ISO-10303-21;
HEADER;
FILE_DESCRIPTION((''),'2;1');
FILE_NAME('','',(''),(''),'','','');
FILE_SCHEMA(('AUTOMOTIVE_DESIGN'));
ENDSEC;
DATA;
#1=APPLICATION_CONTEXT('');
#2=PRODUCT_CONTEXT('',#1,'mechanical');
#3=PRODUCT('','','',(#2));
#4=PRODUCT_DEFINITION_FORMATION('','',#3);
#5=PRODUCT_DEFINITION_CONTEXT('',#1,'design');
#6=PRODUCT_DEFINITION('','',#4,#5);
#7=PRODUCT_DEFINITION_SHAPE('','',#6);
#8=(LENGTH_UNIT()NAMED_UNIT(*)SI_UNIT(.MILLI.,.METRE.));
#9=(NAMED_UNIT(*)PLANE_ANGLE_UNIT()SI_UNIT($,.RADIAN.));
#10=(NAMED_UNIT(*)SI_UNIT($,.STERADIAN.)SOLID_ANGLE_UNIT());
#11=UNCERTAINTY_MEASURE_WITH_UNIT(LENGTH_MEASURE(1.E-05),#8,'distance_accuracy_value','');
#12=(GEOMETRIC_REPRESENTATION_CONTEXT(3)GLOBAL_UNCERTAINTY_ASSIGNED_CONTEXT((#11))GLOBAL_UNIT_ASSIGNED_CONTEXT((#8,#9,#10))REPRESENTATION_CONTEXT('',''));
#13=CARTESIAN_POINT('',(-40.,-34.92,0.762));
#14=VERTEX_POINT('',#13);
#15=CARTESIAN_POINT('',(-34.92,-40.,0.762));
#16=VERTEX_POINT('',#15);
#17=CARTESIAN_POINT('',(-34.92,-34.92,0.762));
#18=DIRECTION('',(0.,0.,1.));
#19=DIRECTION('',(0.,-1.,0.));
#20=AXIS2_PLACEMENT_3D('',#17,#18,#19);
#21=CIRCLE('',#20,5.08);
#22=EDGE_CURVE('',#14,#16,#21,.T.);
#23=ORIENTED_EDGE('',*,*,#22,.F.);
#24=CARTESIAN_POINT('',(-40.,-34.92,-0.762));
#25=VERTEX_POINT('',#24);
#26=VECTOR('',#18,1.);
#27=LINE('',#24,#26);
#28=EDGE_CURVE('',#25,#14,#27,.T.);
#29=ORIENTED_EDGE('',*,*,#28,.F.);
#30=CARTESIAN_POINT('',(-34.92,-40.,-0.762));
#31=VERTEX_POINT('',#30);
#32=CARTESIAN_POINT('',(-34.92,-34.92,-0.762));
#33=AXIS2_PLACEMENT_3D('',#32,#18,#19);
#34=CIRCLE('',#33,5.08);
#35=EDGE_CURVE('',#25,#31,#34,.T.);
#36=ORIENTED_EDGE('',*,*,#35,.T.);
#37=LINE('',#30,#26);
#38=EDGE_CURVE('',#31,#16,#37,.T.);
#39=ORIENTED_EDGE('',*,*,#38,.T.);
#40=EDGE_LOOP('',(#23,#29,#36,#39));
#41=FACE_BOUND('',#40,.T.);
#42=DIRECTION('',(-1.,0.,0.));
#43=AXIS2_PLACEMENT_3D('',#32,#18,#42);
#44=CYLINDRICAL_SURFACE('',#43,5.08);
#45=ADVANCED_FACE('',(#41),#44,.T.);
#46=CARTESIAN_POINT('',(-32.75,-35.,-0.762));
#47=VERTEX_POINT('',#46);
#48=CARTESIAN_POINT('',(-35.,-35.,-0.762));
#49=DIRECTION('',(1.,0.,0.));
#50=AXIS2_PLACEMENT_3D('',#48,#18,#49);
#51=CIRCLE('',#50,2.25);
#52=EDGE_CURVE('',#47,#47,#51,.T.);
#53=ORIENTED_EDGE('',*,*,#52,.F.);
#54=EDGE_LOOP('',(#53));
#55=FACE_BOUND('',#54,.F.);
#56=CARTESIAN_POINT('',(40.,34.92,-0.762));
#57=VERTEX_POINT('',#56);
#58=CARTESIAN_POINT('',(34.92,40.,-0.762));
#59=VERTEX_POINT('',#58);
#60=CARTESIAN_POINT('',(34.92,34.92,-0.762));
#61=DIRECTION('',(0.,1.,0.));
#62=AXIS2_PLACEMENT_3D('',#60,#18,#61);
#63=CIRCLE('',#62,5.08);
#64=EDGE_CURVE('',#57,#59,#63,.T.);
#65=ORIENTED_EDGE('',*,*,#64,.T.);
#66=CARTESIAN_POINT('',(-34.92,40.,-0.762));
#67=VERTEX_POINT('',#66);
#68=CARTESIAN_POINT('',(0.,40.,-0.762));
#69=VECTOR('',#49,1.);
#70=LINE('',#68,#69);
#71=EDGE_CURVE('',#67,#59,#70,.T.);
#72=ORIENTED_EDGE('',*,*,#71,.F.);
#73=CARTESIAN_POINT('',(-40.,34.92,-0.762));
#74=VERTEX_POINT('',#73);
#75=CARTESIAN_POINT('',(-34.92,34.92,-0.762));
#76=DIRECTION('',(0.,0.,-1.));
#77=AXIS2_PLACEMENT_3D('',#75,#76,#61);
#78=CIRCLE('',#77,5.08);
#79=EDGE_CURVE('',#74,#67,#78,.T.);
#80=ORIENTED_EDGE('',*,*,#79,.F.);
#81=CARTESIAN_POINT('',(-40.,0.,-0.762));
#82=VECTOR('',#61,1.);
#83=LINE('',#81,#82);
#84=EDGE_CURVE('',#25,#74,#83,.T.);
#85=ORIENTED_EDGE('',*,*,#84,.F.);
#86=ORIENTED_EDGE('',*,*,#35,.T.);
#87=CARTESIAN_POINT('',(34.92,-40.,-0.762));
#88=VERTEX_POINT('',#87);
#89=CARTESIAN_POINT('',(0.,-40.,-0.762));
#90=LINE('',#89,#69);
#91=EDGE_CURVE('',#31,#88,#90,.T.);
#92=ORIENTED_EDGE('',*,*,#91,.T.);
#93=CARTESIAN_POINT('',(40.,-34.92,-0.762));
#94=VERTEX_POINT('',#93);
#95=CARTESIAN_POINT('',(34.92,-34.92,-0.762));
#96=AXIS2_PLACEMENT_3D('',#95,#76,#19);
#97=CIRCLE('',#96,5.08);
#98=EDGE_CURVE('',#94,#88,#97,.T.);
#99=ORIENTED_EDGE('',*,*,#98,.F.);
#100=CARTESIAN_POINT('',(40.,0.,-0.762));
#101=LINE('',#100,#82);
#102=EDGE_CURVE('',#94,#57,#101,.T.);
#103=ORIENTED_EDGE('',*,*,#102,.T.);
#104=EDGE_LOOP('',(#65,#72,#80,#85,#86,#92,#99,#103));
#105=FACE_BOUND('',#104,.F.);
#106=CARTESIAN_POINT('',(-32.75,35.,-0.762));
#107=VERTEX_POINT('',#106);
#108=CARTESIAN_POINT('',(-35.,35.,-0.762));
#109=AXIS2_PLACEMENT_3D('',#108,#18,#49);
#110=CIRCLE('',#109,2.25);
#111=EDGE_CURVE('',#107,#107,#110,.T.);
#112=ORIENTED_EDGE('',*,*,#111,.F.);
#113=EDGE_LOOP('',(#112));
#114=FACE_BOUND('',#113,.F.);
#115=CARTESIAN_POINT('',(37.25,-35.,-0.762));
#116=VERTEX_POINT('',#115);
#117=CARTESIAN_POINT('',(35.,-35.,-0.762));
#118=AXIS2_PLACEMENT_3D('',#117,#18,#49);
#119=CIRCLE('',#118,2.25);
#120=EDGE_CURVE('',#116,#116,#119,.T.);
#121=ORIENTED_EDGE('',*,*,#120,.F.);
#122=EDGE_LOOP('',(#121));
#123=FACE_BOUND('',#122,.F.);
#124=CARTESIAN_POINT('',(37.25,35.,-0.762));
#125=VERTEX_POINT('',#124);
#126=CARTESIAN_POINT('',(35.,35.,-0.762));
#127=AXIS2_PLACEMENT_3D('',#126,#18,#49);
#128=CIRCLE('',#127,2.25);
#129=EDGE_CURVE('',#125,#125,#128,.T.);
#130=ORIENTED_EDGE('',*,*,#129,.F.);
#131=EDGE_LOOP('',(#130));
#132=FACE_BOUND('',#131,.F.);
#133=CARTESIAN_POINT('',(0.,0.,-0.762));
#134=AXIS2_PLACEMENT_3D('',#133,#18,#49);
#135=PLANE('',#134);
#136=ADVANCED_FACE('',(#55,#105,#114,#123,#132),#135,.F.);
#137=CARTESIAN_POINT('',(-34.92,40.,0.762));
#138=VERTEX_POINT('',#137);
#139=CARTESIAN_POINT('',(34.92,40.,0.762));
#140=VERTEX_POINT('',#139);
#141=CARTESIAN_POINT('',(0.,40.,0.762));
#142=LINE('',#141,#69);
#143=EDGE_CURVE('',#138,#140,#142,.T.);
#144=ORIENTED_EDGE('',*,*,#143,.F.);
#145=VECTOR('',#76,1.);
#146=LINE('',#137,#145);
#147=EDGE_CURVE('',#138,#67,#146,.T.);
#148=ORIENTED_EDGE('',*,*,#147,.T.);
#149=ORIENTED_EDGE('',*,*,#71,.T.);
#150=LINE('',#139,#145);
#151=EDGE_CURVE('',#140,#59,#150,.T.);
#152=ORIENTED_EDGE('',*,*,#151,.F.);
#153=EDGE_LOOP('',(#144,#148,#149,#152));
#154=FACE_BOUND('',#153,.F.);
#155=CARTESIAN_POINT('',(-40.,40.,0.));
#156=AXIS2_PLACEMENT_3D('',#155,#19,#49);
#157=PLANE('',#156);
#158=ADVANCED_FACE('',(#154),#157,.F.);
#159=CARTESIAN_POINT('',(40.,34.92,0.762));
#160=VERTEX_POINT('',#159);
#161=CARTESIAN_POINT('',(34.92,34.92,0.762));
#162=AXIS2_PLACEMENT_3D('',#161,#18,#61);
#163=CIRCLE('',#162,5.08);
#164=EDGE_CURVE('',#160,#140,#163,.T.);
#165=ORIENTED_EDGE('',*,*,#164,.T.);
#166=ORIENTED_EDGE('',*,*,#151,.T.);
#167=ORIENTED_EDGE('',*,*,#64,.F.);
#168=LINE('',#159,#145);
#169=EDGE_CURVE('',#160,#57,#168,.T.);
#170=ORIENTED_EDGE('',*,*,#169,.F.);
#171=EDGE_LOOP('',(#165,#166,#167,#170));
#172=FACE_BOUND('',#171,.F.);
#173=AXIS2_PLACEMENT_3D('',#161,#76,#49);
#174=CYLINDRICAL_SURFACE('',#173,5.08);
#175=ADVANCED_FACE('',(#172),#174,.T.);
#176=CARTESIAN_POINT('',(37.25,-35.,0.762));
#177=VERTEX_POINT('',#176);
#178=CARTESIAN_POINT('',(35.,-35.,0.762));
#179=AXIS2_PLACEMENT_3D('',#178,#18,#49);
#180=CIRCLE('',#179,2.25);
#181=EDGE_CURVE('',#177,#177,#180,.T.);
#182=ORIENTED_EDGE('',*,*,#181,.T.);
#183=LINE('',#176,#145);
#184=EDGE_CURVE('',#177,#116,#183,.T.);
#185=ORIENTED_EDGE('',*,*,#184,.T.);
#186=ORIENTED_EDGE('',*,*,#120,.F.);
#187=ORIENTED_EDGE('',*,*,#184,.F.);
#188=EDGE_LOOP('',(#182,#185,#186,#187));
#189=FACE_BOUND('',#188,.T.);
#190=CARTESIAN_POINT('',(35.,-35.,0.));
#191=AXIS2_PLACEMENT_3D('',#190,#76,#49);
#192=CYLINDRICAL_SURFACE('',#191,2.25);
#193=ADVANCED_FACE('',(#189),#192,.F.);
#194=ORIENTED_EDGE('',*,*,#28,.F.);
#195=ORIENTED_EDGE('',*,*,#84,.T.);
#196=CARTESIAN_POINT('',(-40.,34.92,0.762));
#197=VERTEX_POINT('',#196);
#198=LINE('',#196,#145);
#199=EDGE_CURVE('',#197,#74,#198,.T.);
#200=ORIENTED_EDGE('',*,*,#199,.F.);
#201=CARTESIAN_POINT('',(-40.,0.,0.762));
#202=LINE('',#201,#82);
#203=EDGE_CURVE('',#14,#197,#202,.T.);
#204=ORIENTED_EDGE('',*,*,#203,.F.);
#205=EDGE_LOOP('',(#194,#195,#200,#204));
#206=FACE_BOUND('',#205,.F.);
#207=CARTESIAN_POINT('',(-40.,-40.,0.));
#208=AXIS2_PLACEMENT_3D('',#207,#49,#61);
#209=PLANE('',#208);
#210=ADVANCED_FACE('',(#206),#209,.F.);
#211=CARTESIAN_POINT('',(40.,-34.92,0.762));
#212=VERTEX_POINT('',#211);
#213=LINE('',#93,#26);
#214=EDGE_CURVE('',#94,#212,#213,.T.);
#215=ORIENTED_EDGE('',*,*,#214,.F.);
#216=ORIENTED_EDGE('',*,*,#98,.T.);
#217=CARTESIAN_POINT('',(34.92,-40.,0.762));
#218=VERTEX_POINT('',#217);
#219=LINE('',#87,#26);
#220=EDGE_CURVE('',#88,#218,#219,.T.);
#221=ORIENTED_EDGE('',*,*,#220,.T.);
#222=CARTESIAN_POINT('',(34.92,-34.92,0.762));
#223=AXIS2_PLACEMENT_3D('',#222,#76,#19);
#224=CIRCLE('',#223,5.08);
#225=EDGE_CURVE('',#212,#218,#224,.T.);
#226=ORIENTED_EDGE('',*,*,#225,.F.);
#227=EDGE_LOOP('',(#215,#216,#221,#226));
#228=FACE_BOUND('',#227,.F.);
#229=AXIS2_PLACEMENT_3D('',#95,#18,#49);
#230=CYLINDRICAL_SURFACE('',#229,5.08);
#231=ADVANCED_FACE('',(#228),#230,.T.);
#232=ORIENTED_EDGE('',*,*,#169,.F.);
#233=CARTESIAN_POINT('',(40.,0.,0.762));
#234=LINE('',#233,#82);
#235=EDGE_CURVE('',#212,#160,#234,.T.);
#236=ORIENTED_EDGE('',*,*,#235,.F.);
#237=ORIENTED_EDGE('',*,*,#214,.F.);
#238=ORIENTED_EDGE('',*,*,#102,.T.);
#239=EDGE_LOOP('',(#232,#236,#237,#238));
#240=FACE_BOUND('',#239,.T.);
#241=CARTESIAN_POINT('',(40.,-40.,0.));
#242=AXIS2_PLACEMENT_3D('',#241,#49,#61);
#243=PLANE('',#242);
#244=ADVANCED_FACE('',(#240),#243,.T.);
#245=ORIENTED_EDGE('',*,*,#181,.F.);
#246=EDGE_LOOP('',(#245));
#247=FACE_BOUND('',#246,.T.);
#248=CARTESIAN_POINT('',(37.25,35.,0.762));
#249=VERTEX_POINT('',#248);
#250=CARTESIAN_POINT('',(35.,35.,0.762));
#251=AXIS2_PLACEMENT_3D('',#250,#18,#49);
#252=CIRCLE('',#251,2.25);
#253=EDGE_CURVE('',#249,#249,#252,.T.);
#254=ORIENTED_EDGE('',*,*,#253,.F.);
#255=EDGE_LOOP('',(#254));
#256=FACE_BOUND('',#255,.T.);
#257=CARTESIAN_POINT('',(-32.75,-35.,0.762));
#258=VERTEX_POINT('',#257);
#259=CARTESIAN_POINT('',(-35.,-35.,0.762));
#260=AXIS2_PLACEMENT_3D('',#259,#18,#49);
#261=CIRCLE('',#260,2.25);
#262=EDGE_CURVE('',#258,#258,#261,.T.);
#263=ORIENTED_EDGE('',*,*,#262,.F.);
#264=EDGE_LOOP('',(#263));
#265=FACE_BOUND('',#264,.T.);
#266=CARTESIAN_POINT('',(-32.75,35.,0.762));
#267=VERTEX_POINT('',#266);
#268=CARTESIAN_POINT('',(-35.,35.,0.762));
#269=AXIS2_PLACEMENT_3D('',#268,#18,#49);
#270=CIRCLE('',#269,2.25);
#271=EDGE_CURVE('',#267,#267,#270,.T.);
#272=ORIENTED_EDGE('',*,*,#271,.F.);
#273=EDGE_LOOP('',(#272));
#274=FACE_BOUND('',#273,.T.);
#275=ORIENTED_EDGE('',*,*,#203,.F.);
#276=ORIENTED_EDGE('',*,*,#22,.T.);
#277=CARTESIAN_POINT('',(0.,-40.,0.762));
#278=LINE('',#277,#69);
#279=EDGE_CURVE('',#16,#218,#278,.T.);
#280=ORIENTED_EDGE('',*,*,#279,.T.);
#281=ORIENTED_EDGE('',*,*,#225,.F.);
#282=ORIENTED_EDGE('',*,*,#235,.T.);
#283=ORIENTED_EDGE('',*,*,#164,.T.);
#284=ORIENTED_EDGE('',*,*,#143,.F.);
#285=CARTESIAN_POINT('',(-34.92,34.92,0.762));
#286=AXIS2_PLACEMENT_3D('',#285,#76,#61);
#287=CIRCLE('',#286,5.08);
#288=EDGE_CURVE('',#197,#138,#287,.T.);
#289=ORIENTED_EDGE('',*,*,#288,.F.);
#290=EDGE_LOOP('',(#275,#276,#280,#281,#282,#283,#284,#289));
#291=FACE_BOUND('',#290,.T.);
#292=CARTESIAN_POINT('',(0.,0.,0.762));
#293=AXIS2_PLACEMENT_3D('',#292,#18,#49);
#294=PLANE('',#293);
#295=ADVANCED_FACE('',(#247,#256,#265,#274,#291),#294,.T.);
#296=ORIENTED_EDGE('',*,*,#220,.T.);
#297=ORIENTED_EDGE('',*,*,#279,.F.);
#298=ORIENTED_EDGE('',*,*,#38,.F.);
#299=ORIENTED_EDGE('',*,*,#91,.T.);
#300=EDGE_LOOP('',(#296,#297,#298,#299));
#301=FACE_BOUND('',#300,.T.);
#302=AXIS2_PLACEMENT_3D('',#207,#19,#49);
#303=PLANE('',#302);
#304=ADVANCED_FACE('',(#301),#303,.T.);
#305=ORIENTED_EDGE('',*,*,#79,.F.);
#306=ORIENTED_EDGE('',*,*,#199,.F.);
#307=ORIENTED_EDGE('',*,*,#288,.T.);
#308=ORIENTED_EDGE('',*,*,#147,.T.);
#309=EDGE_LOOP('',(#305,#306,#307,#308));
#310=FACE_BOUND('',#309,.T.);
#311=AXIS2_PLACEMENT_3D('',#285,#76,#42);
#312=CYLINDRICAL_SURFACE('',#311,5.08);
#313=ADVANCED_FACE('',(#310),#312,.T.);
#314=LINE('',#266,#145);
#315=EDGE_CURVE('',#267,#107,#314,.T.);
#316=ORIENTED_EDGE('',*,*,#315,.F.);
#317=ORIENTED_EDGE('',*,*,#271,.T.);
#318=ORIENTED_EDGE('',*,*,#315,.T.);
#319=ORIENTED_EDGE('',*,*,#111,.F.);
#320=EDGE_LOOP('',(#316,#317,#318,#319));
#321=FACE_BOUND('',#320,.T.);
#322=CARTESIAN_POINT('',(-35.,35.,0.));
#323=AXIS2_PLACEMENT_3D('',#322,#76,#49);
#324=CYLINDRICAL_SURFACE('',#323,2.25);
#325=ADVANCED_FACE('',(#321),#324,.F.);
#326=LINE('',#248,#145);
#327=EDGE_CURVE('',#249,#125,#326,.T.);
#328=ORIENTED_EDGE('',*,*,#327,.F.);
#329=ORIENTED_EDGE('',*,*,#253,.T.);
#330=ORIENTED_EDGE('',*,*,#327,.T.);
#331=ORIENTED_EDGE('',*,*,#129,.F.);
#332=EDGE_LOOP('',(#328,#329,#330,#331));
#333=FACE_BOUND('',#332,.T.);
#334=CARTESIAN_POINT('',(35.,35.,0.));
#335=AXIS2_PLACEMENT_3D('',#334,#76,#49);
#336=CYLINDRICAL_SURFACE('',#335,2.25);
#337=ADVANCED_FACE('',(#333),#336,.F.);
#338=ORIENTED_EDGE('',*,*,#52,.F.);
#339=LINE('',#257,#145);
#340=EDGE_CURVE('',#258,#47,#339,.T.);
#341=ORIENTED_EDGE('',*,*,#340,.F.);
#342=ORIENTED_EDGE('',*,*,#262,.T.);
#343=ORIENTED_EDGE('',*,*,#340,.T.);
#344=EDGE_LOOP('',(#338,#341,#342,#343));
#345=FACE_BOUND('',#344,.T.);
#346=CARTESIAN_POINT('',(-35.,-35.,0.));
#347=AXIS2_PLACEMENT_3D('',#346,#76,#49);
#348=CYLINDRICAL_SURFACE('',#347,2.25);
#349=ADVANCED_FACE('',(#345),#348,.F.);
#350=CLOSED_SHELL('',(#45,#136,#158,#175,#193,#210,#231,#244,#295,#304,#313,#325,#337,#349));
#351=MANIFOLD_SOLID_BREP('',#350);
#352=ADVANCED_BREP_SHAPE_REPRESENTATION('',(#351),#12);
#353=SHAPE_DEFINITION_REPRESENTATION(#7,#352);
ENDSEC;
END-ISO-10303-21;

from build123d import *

# Parameters (mm, degrees)
F0_W     = 80
F0_H     = 80
F0_R     = 2.25
F1_DEPTH = 0.762
F2_R     = 5.08


with BuildPart() as f1:
    # F0 (on Top) → F1 (new body, symmetric)
    with BuildSketch(Plane.XY):
        Rectangle(F0_W, F0_H)
        with Locations((-35, -35)):
            Circle(F0_R, mode=Mode.SUBTRACT)
        with Locations((35, -35)):
            Circle(F0_R, mode=Mode.SUBTRACT)
        with Locations((-35, 35)):
            Circle(F0_R, mode=Mode.SUBTRACT)
        with Locations((35, 35)):
            Circle(F0_R, mode=Mode.SUBTRACT)
    extrude(amount=F1_DEPTH, both=True)

    # F2
    f2_edges = [f1.edges().sort_by_distance(p)[0] for p in [
        (-40, -40, 0),
        (-40, 40, 0),
        (40, 40, 0),
        (40, -40, 0),
    ]]
    fillet(f2_edges, radius=F2_R)


solid = f1.part
